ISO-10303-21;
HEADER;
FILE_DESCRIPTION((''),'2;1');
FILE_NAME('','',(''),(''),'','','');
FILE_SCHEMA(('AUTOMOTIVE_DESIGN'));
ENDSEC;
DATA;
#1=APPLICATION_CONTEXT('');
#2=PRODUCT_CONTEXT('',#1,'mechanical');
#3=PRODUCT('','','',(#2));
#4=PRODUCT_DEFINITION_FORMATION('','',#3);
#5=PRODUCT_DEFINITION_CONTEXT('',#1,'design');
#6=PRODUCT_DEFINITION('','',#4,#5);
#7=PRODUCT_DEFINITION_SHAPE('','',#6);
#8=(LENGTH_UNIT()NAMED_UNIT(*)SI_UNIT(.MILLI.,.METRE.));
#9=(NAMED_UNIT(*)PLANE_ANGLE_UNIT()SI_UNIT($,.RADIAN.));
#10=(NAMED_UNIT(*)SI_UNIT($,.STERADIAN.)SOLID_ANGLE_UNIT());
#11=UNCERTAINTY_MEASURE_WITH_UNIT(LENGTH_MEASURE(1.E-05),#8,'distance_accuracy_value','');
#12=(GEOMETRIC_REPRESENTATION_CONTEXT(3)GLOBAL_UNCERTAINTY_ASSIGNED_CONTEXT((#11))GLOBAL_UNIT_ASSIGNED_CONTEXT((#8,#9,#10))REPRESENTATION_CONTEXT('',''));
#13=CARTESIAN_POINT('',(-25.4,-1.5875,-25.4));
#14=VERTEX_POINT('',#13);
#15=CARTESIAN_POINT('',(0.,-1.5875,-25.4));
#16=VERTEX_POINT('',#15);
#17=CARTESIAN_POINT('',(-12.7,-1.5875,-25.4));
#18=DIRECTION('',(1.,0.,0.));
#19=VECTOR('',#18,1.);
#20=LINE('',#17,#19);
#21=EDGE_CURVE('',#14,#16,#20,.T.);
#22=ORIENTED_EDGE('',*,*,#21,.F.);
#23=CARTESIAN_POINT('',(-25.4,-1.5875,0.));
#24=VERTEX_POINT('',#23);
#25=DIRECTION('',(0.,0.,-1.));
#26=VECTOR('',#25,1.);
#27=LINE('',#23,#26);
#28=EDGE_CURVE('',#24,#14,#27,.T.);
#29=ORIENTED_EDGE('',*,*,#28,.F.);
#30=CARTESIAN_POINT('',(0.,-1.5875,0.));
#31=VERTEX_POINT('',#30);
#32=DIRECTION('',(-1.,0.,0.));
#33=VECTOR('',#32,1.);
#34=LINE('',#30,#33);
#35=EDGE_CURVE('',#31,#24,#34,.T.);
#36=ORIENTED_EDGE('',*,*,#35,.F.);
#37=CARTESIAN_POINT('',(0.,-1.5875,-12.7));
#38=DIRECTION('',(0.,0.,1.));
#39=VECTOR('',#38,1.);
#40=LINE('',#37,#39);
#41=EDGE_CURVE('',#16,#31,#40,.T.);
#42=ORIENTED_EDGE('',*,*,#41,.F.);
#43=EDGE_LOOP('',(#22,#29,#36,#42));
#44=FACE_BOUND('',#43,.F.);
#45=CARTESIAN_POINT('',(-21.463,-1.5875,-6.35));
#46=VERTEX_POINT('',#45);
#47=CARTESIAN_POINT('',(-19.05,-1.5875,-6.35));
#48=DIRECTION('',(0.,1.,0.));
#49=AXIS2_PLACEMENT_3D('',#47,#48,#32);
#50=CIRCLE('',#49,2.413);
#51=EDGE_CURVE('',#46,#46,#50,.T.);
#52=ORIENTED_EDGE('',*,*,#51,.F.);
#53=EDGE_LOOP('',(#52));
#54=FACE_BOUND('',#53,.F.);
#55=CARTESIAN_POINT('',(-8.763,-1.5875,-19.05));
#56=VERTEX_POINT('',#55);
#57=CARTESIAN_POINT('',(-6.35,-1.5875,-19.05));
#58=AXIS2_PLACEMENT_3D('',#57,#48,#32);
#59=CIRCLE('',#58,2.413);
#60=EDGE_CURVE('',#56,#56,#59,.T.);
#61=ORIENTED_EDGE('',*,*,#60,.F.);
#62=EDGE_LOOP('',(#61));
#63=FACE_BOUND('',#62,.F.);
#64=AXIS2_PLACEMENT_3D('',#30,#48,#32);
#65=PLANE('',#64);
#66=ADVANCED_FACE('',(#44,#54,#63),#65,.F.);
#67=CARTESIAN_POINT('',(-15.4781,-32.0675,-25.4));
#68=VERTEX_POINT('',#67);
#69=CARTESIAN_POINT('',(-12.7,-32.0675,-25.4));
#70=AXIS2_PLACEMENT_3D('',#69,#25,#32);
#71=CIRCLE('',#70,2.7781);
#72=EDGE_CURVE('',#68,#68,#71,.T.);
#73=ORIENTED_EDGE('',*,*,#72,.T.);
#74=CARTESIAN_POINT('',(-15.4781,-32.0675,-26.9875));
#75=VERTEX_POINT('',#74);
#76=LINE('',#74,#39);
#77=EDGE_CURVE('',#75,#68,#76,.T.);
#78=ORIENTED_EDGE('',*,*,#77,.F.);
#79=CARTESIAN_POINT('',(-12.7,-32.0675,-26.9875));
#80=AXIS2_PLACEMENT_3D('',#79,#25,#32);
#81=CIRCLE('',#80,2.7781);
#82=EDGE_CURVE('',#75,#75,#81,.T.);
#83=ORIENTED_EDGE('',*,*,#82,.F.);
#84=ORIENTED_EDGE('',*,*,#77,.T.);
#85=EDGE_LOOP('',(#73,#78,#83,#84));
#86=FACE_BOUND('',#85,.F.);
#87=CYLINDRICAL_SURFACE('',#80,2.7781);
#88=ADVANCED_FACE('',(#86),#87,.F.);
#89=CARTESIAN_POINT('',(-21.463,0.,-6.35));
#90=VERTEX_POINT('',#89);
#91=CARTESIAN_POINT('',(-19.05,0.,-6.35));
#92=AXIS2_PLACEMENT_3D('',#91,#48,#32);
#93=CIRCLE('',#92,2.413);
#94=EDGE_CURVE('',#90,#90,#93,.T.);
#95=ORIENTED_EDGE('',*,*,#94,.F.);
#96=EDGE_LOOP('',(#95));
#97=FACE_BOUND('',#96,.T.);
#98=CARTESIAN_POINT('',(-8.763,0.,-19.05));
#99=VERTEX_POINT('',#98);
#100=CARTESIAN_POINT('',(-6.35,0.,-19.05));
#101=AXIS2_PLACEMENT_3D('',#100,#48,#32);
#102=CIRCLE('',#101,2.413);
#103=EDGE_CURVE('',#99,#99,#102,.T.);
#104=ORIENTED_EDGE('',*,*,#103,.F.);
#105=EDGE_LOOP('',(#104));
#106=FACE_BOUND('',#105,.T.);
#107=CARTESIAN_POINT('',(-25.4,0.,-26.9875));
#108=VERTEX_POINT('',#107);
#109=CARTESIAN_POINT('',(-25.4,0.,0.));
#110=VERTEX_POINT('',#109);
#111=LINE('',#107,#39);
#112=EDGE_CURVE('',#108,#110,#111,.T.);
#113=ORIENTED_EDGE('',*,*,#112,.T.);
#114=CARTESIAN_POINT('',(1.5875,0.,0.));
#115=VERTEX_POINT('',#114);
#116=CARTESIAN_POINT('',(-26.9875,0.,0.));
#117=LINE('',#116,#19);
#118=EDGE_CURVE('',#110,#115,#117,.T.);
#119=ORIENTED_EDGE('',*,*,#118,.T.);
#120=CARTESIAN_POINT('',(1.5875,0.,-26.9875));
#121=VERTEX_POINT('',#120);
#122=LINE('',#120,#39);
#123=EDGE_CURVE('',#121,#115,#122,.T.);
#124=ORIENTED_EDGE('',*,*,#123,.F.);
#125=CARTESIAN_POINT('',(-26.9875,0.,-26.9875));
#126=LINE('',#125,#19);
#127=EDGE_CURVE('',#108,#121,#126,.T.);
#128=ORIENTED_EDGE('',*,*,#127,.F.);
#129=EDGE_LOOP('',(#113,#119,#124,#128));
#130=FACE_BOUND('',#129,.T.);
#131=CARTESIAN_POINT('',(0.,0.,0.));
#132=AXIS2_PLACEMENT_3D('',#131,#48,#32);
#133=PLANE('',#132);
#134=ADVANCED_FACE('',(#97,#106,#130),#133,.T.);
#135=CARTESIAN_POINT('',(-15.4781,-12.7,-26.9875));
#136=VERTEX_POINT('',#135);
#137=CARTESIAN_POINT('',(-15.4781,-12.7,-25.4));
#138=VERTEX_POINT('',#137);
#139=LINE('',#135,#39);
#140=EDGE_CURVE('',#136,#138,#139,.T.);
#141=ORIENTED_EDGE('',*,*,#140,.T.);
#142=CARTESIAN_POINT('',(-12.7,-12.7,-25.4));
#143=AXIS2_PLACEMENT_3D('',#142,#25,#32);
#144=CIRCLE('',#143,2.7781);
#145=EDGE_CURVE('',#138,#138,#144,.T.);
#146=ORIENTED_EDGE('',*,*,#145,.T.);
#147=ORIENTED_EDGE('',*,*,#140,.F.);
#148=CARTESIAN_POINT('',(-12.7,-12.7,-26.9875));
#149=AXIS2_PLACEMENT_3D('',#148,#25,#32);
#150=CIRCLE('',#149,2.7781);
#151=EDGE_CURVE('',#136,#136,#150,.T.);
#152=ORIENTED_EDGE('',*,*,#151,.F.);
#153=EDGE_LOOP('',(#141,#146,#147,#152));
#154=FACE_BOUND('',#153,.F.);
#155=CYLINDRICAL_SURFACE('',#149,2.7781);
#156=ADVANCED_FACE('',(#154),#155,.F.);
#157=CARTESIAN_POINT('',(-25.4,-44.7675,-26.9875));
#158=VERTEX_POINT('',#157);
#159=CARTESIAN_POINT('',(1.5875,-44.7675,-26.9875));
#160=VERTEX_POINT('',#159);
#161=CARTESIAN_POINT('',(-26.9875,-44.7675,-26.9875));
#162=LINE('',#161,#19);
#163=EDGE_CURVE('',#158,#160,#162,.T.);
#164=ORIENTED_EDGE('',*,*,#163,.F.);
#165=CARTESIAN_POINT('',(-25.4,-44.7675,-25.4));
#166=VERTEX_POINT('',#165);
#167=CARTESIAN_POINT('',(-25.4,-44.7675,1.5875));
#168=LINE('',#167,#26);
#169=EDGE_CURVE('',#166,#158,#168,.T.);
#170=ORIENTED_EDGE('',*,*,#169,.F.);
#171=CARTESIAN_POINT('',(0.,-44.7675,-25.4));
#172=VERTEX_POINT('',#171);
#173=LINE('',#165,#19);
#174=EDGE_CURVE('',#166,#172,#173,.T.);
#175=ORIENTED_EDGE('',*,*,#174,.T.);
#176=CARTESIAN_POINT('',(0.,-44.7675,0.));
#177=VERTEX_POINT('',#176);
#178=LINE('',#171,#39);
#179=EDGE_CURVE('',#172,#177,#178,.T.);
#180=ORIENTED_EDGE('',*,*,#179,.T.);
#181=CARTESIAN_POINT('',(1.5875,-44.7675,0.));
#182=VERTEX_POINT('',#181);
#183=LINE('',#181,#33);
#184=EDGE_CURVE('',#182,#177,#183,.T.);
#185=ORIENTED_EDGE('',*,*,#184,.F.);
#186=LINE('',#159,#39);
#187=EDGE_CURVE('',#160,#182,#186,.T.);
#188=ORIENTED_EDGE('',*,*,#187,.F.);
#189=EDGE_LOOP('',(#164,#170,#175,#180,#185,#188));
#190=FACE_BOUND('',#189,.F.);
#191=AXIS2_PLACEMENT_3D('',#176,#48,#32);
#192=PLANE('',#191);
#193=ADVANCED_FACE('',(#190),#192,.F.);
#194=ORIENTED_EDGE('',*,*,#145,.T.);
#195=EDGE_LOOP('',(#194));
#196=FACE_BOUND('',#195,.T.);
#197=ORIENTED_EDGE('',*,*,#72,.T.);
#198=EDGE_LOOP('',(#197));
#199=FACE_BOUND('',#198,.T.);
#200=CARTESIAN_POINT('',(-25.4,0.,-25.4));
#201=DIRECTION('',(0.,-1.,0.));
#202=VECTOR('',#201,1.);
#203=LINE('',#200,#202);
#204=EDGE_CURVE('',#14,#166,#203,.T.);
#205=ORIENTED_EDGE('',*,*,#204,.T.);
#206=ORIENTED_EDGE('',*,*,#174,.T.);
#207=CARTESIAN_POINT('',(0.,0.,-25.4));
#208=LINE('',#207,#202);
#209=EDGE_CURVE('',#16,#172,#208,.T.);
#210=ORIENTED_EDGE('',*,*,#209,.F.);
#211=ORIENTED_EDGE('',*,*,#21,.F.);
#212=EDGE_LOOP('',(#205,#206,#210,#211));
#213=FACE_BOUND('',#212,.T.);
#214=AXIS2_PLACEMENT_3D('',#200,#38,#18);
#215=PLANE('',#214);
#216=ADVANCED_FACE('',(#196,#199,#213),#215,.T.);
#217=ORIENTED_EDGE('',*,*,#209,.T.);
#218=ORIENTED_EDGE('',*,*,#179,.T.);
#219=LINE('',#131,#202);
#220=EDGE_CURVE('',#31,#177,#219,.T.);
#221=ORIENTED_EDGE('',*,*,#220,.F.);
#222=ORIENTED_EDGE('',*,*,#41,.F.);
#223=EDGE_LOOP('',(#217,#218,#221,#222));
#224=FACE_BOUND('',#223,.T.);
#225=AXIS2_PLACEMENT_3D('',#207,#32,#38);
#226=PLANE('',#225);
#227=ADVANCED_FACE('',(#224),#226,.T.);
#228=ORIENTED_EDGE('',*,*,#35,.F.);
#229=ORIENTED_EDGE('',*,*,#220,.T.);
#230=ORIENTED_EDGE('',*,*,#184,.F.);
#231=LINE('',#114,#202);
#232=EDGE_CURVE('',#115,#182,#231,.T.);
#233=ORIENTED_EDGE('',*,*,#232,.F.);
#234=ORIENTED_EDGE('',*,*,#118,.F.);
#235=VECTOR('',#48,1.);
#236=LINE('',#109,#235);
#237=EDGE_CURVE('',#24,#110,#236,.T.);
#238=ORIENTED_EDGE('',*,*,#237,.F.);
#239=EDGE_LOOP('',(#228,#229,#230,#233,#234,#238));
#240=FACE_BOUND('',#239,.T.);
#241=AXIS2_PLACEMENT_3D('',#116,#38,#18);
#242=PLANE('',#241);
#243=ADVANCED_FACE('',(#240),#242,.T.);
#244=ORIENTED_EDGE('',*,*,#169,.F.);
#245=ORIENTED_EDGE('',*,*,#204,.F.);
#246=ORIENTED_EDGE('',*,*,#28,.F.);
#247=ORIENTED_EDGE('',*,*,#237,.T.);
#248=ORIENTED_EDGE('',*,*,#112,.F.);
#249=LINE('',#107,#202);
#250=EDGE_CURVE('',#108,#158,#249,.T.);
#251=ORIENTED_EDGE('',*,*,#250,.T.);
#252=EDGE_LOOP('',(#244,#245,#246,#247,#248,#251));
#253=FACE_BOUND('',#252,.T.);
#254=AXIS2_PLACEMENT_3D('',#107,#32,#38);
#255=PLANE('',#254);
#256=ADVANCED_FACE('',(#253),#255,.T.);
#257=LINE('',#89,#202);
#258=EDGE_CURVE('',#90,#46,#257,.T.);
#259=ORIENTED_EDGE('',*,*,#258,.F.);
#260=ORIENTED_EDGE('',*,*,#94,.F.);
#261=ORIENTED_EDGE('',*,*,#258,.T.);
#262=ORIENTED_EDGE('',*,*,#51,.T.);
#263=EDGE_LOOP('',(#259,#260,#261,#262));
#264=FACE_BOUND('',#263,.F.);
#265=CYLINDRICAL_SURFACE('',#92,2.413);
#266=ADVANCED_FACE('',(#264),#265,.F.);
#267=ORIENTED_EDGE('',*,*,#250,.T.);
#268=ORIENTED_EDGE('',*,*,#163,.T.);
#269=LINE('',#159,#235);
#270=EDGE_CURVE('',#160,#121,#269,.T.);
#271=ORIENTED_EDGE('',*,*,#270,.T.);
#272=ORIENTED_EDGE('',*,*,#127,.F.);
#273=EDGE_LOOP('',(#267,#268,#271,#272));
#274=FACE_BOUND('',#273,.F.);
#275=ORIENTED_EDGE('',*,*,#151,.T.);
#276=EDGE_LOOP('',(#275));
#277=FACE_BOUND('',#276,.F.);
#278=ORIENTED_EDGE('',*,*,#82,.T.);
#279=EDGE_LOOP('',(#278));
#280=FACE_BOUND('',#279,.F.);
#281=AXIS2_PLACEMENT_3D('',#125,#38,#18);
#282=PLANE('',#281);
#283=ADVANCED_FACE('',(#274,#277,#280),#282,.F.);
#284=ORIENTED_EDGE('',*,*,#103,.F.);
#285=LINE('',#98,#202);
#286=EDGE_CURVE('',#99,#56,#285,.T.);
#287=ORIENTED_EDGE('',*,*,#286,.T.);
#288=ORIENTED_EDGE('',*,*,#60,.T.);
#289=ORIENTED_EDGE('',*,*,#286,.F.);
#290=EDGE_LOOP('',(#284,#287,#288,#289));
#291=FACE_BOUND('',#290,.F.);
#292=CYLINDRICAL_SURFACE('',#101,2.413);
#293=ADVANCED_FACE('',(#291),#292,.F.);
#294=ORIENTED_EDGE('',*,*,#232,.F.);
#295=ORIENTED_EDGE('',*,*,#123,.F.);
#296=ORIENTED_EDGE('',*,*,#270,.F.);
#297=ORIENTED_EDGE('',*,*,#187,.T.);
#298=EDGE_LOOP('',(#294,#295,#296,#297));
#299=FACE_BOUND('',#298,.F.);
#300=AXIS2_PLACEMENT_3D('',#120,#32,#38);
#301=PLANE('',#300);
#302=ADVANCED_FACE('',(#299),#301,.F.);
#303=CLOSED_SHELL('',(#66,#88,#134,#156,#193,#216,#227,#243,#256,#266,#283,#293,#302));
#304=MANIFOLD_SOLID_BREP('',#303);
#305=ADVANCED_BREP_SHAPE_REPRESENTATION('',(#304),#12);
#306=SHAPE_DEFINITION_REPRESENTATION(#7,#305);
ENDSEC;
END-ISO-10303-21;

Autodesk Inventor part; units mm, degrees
ref_plane "YZ Plane" through (0, 0, 0) normal (1, 0, 0) x (0, 1, 0)
ref_plane "XZ Plane" through (0, 0, 0) normal (0, 1, 0) x (-1, 0, 0)
ref_plane "XY Plane" through (0, 0, 0) normal (0, 0, 1) x (1, 0, 0)
sketch "Sketch1" plane through (0, 0, 0) normal (0, 1, 0) x (-1, 0, 0)
  line L0 (0, 0) -> (25.4, 0)
  line L1 (25.4, 0) -> (25.4, -25.4)
  line L2 (25.4, -25.4) -> (0, -25.4)
  line L3 (0, -25.4) -> (0, 0)
  line L4 (-1.5875, 1.5875) -> (26.9875, 1.5875)
  line L5 (26.9875, 1.5875) -> (26.9875, -26.9875)
  line L6 (26.9875, -26.9875) -> (-1.5875, -26.9875)
  line L7 (-1.5875, -26.9875) -> (-1.5875, 1.5875)
  circle A0 centre (19.05, -6.35) radius 2.413
  line L8 (0, 0) -> (25.4, -25.4) construction
  circle A1 centre (6.35, -19.05) radius 2.413
  dimension "d0" = 25.4
  dimension "d1" = 25.4
  dimension "d2" = 1.5875
  dimension "d3" = 4.826
  dimension "d4" = 6.35
  dimension "d5" = 6.35
extrude "Extrusion1" add sketch "Sketch1" against normal blind 1.5875 contours L0 L1 L2 L3 | L4 L5 L6 L7
extrude "Extrusion2" add sketch "Sketch1" against normal blind 44.7675 contours L4 L5 L6 L7
sketch "Sketch2" plane through (1.5875, 0, -26.9875) normal (0, 0, -1) x (-1, 0, 0)
  line L0 (0, 0) -> (28.575, 0) construction
  line L1 (14.2875, 0) -> (14.2875, -44.7675) construction
  line L2 (1.5875, -44.7675) -> (26.9875, -44.7675) construction
  circle A0 centre (14.2875, -12.7) radius 2.7781
  circle A1 centre (14.2875, -32.0675) radius 2.7781
  point P0 (1.5875, 0)
  dimension "d10" = 5.5563
  dimension "d11" = 12.7
  dimension "d12" = 12.7
extrude "Extrusion3" cut sketch "Sketch2" against normal blind 44.7675
sketch "Sketch3" plane through (-26.9875, 0, -26.9875) normal (-1, 0, 0) x (0, 0, 1)
  line L0 (0, 0) -> (28.575, 0) projected
  line L1 (0, 0) -> (0, -44.7675) projected
  line L2 (28.575, -44.7675) -> (0, -44.7675) projected
  line L3 (28.575, 0) -> (28.575, -44.7675) projected
  point P0 (26.9875, 0)
sketch "Sketch4" plane through (-26.9875, 0, 1.5875) normal (0, 0, 1) x (1, 0, 0)
  circle A0 centre (14.2875, -32.0675) radius 2.7781 projected
  circle A1 centre (14.2875, -12.7) radius 2.7781 projected
  line L0 (0, 0) -> (28.575, 0) projected
  line L1 (0, 0) -> (0, -44.7675) projected
  line L2 (28.575, -44.7675) -> (0, -44.7675) projected
  line L3 (28.575, 0) -> (28.575, -44.7675) projected
  point P0 (26.9875, 0)
extrude "Extrusion4" cut sketch "Sketch3" against normal blind 1.5875
extrude "Extrusion5" cut sketch "Sketch4" against normal blind 1.5875
properties part number "FlipperTensionerBlock1Tool"
